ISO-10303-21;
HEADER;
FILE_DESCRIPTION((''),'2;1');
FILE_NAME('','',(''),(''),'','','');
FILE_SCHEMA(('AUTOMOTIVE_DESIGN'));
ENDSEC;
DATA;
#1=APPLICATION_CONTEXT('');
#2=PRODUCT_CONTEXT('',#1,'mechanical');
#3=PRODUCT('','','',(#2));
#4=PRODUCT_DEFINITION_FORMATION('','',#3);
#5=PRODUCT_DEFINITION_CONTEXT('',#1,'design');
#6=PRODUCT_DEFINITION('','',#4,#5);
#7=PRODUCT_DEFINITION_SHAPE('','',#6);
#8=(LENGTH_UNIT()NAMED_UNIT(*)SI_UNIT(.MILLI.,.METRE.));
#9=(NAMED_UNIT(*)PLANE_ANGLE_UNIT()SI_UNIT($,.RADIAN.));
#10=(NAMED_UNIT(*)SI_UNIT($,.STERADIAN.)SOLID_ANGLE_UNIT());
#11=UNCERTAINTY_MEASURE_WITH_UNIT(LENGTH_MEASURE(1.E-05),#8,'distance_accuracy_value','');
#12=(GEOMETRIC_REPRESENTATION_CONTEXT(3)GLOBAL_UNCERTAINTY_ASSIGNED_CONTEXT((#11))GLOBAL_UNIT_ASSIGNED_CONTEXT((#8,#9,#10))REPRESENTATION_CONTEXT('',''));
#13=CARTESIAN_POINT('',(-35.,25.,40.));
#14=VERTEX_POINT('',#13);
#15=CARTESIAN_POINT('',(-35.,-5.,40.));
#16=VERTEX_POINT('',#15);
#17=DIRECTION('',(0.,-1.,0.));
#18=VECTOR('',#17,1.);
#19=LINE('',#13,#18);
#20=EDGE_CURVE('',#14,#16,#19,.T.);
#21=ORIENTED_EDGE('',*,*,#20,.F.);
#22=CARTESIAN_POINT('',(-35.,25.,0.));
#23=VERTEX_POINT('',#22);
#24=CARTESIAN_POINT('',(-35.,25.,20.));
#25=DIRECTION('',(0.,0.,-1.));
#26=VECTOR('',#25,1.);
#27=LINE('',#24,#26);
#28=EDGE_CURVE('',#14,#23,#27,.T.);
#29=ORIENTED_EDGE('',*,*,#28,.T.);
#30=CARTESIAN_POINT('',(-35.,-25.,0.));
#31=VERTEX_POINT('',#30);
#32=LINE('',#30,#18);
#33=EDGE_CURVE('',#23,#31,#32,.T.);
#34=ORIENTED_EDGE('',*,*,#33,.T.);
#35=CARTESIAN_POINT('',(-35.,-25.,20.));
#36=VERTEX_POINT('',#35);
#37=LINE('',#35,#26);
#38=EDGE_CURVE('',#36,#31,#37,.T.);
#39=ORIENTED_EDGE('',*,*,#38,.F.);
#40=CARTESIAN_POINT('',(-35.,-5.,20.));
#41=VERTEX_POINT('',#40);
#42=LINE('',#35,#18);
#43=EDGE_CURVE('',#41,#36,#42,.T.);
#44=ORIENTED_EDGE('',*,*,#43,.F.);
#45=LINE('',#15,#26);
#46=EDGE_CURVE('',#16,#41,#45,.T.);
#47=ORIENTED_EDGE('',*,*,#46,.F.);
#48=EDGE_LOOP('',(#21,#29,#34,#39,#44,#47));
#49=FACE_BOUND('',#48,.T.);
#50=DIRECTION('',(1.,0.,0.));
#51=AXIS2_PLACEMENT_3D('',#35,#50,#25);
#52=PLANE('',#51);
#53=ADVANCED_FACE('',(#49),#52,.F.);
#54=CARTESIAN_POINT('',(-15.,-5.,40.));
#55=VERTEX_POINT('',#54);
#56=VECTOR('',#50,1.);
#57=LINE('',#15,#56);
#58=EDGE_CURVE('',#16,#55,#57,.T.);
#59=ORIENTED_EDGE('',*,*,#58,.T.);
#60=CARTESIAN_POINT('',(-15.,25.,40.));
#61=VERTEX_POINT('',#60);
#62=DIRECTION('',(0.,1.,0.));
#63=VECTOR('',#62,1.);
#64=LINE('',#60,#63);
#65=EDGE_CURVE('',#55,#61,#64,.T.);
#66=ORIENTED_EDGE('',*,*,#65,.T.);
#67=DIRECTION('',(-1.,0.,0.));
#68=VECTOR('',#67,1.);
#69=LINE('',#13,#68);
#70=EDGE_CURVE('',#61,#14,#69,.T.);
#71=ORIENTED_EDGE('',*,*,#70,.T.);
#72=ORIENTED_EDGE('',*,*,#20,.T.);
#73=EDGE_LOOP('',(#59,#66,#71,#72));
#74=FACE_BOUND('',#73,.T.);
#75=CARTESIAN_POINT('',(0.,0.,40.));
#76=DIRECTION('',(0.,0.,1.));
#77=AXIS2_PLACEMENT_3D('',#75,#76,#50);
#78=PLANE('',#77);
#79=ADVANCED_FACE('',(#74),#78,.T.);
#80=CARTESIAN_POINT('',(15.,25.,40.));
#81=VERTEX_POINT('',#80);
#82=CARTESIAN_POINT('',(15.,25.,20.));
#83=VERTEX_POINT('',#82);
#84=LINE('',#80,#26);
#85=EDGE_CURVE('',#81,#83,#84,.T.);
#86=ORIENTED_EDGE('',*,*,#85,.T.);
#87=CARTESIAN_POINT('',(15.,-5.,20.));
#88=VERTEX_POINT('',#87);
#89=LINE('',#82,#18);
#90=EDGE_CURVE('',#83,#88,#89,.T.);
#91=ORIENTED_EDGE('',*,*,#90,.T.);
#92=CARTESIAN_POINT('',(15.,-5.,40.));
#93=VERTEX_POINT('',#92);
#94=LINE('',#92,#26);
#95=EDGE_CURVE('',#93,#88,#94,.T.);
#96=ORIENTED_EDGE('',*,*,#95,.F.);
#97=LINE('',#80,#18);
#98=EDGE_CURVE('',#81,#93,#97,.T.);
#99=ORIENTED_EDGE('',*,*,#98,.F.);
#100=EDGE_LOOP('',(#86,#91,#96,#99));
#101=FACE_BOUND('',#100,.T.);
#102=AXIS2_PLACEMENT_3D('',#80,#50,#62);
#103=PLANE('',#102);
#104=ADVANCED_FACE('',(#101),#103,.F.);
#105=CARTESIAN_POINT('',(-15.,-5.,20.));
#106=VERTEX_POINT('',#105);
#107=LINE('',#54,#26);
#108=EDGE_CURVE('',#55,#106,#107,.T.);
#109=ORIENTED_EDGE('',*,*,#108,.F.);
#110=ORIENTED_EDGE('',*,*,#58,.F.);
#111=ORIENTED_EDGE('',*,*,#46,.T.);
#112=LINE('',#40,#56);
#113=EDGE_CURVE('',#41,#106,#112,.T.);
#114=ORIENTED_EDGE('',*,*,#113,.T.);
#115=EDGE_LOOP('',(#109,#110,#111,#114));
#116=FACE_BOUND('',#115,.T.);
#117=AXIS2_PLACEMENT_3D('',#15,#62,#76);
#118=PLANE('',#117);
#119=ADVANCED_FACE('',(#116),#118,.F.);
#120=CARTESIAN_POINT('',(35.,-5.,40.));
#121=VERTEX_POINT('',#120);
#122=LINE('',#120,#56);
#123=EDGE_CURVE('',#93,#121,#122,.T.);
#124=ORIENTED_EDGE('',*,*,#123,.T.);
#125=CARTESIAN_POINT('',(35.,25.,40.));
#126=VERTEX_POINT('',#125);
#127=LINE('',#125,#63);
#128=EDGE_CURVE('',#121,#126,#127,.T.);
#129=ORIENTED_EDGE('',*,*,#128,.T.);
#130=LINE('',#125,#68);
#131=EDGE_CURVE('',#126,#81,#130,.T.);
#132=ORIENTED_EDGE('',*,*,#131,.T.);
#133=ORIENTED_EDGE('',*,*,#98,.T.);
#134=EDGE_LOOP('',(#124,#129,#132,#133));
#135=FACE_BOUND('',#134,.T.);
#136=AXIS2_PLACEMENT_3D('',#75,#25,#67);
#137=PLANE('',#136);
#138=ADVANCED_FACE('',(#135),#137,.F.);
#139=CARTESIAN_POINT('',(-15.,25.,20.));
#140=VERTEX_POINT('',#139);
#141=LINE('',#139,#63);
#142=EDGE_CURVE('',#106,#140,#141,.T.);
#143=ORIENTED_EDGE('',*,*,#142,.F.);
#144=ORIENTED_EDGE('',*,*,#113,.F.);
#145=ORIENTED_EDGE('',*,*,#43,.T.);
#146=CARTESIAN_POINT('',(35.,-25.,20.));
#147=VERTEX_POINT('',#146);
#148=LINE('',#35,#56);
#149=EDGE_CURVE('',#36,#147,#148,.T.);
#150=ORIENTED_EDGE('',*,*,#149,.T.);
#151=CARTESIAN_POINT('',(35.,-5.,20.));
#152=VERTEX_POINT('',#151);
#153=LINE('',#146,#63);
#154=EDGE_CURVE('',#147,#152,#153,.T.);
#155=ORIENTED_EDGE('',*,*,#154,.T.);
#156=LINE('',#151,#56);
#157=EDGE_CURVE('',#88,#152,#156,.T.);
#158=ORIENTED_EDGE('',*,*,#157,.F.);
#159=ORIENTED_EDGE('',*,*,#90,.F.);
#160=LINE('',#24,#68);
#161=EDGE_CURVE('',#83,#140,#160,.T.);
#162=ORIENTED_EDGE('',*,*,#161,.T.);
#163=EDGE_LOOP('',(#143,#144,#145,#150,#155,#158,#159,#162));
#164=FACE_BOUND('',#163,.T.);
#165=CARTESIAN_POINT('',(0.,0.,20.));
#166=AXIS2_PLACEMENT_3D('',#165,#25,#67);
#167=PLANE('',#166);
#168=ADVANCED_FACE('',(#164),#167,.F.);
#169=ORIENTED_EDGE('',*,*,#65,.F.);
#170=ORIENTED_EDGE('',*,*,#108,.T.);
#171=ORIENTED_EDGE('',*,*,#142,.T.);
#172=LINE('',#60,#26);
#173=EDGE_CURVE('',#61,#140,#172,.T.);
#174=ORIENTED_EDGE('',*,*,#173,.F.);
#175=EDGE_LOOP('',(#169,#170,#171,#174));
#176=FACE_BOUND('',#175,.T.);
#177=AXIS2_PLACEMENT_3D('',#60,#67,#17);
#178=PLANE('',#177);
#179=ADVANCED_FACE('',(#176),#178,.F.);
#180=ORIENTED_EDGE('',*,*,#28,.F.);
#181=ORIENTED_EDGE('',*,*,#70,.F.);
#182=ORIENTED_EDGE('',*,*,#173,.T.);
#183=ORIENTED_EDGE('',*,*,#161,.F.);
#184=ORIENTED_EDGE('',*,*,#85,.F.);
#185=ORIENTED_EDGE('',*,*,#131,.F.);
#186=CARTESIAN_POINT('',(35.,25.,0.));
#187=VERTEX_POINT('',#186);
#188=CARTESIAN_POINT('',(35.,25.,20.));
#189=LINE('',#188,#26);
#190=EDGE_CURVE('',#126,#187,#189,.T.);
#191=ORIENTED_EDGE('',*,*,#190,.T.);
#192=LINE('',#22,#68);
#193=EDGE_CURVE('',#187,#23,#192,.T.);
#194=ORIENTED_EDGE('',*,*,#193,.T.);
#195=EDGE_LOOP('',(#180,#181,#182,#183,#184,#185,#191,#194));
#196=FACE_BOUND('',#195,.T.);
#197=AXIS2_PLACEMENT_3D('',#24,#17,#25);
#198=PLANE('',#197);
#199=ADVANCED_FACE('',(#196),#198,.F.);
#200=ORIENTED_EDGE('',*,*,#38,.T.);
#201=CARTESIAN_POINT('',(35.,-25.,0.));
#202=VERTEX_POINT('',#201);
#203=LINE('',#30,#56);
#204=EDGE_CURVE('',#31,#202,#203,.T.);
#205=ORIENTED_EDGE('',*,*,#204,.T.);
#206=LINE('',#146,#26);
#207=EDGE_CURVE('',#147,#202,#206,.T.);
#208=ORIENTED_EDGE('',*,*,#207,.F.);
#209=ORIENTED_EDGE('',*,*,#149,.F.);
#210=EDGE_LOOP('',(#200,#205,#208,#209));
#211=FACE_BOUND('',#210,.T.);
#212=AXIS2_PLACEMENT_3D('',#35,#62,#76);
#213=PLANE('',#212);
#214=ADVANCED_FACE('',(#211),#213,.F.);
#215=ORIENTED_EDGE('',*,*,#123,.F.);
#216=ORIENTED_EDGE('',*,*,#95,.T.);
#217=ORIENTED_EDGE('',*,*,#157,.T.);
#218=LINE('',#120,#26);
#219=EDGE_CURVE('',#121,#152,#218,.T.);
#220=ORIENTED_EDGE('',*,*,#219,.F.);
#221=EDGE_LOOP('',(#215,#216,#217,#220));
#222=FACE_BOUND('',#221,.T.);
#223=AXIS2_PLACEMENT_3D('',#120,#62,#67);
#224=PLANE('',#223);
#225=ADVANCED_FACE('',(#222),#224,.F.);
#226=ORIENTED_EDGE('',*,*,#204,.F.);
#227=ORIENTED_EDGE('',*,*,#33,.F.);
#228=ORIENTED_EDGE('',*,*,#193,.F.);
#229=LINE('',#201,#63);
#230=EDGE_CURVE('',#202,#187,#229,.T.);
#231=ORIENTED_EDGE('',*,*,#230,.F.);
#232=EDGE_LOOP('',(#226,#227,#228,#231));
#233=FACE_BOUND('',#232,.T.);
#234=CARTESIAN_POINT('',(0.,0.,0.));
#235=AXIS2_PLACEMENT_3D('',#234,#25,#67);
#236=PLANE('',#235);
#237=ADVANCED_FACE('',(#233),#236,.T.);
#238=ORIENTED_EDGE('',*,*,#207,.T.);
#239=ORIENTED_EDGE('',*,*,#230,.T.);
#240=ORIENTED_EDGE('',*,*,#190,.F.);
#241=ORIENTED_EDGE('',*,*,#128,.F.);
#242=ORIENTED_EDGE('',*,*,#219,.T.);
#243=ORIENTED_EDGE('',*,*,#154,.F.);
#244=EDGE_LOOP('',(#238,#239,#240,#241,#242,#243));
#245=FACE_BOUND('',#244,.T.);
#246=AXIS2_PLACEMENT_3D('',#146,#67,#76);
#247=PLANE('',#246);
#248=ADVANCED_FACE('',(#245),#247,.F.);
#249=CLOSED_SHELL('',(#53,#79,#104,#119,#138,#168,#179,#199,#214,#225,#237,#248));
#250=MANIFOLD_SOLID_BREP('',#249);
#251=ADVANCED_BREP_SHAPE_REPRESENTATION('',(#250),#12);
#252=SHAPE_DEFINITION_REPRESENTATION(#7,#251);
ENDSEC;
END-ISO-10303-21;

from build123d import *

# Parameters (mm, degrees)
CROQUIS2_W              = 70
CROQUIS2_H              = 50
SALIENTE_EXTRUIR1_DEPTH = 20
CROQUIS3_W              = 20
CROQUIS3_H              = 30
SALIENTE_EXTRUIR2_DEPTH = 20


with BuildPart() as part:
    # Croquis2 → Saliente-Extruir1 (new body)
    with BuildSketch(Plane.XY):
        Rectangle(CROQUIS2_W, CROQUIS2_H)
    extrude(amount=SALIENTE_EXTRUIR1_DEPTH)

    # Croquis3 → Saliente-Extruir2 (add)
    with BuildSketch(Plane.XY.offset(20)):
        with Locations((-25, 10)):
            Rectangle(CROQUIS3_W, CROQUIS3_H)
        with Locations((25, 10)):
            Rectangle(CROQUIS3_W, CROQUIS3_H)
    extrude(amount=SALIENTE_EXTRUIR2_DEPTH)


solid = part.part
